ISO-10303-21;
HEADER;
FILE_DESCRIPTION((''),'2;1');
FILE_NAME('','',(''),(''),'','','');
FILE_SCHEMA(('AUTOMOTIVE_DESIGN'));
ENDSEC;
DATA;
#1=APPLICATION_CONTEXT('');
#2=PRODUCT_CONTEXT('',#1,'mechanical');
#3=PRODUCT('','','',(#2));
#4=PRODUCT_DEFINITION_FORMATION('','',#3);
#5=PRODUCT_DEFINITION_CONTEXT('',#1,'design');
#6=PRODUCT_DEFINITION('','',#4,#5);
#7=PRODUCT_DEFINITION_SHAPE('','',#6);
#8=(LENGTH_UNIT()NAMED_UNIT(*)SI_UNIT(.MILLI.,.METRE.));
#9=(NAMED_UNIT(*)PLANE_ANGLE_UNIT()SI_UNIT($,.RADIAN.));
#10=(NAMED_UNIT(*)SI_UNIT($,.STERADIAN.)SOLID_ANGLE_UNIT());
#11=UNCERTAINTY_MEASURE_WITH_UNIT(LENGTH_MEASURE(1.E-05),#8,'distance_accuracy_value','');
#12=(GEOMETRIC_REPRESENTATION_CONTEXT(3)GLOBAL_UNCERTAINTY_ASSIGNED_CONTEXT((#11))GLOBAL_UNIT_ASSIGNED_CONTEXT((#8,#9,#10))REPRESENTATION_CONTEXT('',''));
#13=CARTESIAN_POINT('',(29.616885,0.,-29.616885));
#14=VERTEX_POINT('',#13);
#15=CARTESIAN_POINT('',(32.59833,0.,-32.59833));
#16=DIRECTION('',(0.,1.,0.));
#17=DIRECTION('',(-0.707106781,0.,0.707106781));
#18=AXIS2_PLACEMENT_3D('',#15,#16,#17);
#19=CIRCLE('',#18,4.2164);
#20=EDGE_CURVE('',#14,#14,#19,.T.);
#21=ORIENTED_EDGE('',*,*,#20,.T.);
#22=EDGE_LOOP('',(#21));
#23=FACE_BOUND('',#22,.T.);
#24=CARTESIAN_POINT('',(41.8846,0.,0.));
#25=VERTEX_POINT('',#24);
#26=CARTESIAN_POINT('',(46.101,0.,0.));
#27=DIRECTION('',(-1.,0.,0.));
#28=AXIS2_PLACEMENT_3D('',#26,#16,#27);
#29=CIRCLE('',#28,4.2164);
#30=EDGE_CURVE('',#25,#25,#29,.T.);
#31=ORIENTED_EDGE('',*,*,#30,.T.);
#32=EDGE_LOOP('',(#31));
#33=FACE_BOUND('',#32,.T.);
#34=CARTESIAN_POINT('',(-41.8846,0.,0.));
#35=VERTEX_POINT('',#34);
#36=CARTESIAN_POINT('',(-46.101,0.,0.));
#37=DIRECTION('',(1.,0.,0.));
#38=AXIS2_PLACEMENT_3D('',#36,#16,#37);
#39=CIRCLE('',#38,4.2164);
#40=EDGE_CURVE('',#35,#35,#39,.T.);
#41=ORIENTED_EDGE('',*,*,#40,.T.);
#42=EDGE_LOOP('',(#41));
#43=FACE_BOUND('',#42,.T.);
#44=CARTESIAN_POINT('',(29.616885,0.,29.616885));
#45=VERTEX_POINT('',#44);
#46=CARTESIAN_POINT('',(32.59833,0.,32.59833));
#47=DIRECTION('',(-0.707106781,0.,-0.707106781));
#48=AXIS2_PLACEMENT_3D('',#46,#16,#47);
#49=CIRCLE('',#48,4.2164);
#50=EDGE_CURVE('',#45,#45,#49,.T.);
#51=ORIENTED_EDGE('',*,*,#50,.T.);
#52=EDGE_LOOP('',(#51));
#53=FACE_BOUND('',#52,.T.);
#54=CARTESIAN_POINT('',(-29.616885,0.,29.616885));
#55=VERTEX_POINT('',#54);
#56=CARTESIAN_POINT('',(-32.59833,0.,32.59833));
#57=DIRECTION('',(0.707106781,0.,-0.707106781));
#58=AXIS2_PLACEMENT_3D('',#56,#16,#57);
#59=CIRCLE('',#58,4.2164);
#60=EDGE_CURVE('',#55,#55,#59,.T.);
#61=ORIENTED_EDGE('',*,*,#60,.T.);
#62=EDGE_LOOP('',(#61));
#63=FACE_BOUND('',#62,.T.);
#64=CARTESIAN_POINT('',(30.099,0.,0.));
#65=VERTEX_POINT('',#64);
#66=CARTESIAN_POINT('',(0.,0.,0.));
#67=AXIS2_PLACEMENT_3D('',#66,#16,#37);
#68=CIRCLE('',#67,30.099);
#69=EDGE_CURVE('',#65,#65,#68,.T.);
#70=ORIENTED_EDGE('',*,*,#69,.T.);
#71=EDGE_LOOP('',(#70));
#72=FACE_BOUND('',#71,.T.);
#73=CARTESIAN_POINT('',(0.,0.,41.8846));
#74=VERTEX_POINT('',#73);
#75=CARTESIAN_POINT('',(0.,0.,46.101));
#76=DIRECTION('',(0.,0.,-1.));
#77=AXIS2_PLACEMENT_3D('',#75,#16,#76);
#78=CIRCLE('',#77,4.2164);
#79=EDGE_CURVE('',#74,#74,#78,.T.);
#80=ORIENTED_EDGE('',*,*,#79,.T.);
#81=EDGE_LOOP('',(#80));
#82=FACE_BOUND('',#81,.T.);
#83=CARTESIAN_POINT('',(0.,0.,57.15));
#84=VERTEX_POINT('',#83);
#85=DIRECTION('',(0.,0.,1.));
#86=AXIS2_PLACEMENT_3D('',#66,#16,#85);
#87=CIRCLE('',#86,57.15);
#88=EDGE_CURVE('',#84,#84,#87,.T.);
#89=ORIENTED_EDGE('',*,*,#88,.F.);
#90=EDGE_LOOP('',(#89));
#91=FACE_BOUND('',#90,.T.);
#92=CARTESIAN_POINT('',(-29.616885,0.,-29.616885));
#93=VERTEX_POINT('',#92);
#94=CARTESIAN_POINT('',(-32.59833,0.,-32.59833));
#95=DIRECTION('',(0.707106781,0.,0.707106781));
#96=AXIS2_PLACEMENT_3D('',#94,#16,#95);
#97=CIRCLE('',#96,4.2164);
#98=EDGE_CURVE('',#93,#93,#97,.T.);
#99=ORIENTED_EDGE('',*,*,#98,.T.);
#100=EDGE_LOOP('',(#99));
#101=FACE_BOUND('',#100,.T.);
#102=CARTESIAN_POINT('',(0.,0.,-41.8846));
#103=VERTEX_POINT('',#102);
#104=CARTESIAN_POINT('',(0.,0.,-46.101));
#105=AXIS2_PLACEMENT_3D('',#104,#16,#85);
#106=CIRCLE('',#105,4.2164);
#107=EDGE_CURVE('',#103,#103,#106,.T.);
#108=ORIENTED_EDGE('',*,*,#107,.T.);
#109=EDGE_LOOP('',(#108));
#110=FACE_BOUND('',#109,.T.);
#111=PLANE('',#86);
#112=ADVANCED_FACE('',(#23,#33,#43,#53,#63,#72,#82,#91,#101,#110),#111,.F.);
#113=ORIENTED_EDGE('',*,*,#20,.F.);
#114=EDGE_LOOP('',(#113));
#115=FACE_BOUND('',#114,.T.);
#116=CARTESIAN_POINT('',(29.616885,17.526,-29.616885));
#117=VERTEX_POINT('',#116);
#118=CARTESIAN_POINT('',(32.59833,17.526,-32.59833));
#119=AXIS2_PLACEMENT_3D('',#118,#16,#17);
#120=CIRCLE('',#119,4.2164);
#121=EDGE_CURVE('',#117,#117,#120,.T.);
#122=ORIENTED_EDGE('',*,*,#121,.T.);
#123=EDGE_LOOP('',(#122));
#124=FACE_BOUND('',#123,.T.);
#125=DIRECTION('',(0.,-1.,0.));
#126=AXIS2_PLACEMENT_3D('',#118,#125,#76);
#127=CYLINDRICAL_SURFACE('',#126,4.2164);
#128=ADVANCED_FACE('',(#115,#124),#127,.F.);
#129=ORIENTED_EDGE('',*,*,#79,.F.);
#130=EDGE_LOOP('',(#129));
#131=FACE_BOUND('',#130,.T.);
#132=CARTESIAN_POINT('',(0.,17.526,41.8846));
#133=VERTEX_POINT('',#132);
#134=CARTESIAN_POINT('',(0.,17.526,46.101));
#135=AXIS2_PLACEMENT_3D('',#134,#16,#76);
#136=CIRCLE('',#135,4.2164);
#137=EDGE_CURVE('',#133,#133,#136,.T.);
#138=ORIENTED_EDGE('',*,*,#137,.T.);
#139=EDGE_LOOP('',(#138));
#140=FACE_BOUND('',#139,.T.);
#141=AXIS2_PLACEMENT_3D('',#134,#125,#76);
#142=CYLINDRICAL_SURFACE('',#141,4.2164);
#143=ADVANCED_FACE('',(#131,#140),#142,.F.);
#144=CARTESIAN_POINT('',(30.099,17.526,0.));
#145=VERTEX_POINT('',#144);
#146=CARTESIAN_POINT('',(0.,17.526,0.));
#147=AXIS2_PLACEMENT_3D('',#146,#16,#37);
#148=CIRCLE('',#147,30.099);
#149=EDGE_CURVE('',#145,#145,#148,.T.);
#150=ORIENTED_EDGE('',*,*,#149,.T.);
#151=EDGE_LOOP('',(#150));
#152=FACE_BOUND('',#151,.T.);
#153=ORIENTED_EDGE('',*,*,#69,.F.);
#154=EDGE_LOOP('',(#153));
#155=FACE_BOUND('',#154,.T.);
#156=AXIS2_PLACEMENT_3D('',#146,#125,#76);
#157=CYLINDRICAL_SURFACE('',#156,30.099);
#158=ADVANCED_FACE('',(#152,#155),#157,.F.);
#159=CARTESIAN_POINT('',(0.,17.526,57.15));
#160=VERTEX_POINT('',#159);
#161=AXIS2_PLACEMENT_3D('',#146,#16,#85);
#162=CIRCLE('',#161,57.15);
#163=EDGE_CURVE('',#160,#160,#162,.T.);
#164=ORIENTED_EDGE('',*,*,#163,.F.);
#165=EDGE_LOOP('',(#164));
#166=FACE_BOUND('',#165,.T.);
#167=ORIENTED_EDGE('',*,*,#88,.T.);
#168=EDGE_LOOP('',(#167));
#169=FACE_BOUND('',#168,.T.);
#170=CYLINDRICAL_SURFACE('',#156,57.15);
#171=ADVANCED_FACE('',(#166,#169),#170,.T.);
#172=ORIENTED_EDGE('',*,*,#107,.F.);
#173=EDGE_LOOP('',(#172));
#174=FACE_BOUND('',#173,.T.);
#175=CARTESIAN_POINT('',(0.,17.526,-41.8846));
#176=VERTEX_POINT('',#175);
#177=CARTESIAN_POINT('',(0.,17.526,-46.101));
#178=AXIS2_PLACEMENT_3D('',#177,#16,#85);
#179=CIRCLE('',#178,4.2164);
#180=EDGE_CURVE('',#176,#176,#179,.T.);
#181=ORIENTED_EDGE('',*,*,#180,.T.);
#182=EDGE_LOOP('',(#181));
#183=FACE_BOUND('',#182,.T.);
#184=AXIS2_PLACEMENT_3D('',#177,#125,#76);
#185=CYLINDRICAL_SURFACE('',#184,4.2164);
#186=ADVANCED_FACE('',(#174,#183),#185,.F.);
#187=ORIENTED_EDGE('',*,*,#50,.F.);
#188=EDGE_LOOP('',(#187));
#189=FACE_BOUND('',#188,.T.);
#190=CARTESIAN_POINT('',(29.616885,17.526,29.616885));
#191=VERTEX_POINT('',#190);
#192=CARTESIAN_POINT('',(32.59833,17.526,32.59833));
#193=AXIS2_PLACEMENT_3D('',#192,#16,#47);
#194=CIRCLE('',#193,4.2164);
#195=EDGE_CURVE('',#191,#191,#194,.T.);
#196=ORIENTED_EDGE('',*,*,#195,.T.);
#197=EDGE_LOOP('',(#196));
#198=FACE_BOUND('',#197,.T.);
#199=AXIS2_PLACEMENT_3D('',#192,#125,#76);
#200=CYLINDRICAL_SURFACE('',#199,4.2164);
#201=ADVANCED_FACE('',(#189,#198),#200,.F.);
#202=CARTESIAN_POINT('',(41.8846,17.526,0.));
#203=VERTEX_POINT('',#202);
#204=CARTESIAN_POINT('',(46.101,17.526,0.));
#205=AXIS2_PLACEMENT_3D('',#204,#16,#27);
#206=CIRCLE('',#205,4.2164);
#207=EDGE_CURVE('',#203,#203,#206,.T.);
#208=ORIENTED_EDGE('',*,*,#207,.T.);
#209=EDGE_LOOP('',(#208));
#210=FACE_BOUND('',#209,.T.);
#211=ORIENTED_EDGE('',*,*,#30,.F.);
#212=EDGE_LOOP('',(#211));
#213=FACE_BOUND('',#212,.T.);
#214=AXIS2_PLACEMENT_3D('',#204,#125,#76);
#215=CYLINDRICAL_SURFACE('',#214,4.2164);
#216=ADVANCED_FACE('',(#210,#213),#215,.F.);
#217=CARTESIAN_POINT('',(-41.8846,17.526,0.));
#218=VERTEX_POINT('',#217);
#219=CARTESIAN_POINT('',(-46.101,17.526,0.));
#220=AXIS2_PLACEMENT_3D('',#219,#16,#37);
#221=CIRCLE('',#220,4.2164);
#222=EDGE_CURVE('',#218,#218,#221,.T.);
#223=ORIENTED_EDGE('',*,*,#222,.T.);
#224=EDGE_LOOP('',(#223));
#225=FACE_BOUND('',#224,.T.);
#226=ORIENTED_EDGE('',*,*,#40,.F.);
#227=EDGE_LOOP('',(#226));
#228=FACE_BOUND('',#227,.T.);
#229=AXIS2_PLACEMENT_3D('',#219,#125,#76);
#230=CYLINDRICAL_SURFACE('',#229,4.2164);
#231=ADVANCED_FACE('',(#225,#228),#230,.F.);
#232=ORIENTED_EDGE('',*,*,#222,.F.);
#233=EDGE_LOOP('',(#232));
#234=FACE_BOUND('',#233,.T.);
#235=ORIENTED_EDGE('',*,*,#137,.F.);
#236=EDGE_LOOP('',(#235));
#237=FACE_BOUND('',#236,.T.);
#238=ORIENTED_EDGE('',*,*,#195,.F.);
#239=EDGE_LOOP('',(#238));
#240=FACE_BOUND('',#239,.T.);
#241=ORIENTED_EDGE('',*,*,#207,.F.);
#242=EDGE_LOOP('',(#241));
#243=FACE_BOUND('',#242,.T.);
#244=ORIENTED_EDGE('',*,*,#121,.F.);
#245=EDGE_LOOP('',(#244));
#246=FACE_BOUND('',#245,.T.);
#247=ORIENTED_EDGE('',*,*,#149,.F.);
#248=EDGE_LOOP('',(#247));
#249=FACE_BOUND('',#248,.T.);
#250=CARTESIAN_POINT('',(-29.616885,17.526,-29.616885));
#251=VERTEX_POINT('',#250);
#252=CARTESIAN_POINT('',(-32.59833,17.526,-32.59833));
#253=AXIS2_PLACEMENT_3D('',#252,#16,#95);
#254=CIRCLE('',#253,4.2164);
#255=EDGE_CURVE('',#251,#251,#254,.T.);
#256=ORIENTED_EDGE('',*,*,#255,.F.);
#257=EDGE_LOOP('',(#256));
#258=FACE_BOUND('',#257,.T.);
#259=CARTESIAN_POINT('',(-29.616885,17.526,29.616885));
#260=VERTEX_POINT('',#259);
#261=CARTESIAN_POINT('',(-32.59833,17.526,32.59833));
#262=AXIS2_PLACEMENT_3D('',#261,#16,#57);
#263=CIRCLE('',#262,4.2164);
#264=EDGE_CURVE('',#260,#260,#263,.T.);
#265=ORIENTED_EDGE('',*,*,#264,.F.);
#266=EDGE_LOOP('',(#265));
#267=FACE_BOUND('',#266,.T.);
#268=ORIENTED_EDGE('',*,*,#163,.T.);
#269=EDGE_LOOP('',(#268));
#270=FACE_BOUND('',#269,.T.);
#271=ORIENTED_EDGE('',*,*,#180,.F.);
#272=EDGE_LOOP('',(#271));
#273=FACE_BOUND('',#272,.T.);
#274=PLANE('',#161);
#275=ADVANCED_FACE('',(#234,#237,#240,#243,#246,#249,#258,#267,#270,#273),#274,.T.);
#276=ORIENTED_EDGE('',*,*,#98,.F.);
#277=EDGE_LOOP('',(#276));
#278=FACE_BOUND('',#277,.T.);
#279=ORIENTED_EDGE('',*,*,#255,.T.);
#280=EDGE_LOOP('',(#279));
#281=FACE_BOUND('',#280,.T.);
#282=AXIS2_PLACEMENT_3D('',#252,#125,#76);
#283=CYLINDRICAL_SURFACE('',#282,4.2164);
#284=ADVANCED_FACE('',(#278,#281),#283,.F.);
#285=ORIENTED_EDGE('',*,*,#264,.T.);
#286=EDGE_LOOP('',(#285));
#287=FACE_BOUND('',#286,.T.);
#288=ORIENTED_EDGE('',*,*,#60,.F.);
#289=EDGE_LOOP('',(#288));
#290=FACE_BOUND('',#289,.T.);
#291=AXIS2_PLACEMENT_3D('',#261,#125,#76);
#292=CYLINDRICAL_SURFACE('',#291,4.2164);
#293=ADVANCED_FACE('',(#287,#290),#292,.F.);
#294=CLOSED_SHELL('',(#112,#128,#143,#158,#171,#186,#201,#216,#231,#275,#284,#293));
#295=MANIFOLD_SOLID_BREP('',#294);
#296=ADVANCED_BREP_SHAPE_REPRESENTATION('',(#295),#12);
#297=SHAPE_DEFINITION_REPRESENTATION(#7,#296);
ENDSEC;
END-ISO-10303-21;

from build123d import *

# Parameters (mm, degrees)
SKETCH1_R           = 57.15
SKETCH1_R_2         = 30.099
EXTRUDE_THIN1_DEPTH = 17.526
SKETCH2_R           = 4.2164
CUT_EXTRUDE2_DEPTH  = 17.526
CIRPATTERN1_COUNT   = 8


with BuildPart() as part:
    # Sketch1 → Extrude-Thin1 (new body)
    with BuildSketch(Plane(origin=(0, 0, 0), x_dir=(1, 0, 0), z_dir=(0, 1, 0))):
        Circle(SKETCH1_R)
        Circle(SKETCH1_R_2, mode=Mode.SUBTRACT)
    extrude(amount=EXTRUDE_THIN1_DEPTH)

    # Sketch2 → Cut-Extrude2 (cut)
    with BuildSketch(Plane(origin=(0, 0, 0), x_dir=(1, 0, 0), z_dir=(0, 1, 0))):
        with Locations((0, 46.101)):
            Circle(SKETCH2_R)
    cut_extrude2 = extrude(amount=CUT_EXTRUDE2_DEPTH, mode=Mode.SUBTRACT)

    # CirPattern1: Cut-Extrude2 ×8 about axis
    cirpattern1_axis = Axis((0, 58.676993495, 0), (0, -1, 0))
    for i in range(1, CIRPATTERN1_COUNT):
        add(cut_extrude2.rotate(cirpattern1_axis, i * 360 / CIRPATTERN1_COUNT), mode=Mode.SUBTRACT)


solid = part.part
